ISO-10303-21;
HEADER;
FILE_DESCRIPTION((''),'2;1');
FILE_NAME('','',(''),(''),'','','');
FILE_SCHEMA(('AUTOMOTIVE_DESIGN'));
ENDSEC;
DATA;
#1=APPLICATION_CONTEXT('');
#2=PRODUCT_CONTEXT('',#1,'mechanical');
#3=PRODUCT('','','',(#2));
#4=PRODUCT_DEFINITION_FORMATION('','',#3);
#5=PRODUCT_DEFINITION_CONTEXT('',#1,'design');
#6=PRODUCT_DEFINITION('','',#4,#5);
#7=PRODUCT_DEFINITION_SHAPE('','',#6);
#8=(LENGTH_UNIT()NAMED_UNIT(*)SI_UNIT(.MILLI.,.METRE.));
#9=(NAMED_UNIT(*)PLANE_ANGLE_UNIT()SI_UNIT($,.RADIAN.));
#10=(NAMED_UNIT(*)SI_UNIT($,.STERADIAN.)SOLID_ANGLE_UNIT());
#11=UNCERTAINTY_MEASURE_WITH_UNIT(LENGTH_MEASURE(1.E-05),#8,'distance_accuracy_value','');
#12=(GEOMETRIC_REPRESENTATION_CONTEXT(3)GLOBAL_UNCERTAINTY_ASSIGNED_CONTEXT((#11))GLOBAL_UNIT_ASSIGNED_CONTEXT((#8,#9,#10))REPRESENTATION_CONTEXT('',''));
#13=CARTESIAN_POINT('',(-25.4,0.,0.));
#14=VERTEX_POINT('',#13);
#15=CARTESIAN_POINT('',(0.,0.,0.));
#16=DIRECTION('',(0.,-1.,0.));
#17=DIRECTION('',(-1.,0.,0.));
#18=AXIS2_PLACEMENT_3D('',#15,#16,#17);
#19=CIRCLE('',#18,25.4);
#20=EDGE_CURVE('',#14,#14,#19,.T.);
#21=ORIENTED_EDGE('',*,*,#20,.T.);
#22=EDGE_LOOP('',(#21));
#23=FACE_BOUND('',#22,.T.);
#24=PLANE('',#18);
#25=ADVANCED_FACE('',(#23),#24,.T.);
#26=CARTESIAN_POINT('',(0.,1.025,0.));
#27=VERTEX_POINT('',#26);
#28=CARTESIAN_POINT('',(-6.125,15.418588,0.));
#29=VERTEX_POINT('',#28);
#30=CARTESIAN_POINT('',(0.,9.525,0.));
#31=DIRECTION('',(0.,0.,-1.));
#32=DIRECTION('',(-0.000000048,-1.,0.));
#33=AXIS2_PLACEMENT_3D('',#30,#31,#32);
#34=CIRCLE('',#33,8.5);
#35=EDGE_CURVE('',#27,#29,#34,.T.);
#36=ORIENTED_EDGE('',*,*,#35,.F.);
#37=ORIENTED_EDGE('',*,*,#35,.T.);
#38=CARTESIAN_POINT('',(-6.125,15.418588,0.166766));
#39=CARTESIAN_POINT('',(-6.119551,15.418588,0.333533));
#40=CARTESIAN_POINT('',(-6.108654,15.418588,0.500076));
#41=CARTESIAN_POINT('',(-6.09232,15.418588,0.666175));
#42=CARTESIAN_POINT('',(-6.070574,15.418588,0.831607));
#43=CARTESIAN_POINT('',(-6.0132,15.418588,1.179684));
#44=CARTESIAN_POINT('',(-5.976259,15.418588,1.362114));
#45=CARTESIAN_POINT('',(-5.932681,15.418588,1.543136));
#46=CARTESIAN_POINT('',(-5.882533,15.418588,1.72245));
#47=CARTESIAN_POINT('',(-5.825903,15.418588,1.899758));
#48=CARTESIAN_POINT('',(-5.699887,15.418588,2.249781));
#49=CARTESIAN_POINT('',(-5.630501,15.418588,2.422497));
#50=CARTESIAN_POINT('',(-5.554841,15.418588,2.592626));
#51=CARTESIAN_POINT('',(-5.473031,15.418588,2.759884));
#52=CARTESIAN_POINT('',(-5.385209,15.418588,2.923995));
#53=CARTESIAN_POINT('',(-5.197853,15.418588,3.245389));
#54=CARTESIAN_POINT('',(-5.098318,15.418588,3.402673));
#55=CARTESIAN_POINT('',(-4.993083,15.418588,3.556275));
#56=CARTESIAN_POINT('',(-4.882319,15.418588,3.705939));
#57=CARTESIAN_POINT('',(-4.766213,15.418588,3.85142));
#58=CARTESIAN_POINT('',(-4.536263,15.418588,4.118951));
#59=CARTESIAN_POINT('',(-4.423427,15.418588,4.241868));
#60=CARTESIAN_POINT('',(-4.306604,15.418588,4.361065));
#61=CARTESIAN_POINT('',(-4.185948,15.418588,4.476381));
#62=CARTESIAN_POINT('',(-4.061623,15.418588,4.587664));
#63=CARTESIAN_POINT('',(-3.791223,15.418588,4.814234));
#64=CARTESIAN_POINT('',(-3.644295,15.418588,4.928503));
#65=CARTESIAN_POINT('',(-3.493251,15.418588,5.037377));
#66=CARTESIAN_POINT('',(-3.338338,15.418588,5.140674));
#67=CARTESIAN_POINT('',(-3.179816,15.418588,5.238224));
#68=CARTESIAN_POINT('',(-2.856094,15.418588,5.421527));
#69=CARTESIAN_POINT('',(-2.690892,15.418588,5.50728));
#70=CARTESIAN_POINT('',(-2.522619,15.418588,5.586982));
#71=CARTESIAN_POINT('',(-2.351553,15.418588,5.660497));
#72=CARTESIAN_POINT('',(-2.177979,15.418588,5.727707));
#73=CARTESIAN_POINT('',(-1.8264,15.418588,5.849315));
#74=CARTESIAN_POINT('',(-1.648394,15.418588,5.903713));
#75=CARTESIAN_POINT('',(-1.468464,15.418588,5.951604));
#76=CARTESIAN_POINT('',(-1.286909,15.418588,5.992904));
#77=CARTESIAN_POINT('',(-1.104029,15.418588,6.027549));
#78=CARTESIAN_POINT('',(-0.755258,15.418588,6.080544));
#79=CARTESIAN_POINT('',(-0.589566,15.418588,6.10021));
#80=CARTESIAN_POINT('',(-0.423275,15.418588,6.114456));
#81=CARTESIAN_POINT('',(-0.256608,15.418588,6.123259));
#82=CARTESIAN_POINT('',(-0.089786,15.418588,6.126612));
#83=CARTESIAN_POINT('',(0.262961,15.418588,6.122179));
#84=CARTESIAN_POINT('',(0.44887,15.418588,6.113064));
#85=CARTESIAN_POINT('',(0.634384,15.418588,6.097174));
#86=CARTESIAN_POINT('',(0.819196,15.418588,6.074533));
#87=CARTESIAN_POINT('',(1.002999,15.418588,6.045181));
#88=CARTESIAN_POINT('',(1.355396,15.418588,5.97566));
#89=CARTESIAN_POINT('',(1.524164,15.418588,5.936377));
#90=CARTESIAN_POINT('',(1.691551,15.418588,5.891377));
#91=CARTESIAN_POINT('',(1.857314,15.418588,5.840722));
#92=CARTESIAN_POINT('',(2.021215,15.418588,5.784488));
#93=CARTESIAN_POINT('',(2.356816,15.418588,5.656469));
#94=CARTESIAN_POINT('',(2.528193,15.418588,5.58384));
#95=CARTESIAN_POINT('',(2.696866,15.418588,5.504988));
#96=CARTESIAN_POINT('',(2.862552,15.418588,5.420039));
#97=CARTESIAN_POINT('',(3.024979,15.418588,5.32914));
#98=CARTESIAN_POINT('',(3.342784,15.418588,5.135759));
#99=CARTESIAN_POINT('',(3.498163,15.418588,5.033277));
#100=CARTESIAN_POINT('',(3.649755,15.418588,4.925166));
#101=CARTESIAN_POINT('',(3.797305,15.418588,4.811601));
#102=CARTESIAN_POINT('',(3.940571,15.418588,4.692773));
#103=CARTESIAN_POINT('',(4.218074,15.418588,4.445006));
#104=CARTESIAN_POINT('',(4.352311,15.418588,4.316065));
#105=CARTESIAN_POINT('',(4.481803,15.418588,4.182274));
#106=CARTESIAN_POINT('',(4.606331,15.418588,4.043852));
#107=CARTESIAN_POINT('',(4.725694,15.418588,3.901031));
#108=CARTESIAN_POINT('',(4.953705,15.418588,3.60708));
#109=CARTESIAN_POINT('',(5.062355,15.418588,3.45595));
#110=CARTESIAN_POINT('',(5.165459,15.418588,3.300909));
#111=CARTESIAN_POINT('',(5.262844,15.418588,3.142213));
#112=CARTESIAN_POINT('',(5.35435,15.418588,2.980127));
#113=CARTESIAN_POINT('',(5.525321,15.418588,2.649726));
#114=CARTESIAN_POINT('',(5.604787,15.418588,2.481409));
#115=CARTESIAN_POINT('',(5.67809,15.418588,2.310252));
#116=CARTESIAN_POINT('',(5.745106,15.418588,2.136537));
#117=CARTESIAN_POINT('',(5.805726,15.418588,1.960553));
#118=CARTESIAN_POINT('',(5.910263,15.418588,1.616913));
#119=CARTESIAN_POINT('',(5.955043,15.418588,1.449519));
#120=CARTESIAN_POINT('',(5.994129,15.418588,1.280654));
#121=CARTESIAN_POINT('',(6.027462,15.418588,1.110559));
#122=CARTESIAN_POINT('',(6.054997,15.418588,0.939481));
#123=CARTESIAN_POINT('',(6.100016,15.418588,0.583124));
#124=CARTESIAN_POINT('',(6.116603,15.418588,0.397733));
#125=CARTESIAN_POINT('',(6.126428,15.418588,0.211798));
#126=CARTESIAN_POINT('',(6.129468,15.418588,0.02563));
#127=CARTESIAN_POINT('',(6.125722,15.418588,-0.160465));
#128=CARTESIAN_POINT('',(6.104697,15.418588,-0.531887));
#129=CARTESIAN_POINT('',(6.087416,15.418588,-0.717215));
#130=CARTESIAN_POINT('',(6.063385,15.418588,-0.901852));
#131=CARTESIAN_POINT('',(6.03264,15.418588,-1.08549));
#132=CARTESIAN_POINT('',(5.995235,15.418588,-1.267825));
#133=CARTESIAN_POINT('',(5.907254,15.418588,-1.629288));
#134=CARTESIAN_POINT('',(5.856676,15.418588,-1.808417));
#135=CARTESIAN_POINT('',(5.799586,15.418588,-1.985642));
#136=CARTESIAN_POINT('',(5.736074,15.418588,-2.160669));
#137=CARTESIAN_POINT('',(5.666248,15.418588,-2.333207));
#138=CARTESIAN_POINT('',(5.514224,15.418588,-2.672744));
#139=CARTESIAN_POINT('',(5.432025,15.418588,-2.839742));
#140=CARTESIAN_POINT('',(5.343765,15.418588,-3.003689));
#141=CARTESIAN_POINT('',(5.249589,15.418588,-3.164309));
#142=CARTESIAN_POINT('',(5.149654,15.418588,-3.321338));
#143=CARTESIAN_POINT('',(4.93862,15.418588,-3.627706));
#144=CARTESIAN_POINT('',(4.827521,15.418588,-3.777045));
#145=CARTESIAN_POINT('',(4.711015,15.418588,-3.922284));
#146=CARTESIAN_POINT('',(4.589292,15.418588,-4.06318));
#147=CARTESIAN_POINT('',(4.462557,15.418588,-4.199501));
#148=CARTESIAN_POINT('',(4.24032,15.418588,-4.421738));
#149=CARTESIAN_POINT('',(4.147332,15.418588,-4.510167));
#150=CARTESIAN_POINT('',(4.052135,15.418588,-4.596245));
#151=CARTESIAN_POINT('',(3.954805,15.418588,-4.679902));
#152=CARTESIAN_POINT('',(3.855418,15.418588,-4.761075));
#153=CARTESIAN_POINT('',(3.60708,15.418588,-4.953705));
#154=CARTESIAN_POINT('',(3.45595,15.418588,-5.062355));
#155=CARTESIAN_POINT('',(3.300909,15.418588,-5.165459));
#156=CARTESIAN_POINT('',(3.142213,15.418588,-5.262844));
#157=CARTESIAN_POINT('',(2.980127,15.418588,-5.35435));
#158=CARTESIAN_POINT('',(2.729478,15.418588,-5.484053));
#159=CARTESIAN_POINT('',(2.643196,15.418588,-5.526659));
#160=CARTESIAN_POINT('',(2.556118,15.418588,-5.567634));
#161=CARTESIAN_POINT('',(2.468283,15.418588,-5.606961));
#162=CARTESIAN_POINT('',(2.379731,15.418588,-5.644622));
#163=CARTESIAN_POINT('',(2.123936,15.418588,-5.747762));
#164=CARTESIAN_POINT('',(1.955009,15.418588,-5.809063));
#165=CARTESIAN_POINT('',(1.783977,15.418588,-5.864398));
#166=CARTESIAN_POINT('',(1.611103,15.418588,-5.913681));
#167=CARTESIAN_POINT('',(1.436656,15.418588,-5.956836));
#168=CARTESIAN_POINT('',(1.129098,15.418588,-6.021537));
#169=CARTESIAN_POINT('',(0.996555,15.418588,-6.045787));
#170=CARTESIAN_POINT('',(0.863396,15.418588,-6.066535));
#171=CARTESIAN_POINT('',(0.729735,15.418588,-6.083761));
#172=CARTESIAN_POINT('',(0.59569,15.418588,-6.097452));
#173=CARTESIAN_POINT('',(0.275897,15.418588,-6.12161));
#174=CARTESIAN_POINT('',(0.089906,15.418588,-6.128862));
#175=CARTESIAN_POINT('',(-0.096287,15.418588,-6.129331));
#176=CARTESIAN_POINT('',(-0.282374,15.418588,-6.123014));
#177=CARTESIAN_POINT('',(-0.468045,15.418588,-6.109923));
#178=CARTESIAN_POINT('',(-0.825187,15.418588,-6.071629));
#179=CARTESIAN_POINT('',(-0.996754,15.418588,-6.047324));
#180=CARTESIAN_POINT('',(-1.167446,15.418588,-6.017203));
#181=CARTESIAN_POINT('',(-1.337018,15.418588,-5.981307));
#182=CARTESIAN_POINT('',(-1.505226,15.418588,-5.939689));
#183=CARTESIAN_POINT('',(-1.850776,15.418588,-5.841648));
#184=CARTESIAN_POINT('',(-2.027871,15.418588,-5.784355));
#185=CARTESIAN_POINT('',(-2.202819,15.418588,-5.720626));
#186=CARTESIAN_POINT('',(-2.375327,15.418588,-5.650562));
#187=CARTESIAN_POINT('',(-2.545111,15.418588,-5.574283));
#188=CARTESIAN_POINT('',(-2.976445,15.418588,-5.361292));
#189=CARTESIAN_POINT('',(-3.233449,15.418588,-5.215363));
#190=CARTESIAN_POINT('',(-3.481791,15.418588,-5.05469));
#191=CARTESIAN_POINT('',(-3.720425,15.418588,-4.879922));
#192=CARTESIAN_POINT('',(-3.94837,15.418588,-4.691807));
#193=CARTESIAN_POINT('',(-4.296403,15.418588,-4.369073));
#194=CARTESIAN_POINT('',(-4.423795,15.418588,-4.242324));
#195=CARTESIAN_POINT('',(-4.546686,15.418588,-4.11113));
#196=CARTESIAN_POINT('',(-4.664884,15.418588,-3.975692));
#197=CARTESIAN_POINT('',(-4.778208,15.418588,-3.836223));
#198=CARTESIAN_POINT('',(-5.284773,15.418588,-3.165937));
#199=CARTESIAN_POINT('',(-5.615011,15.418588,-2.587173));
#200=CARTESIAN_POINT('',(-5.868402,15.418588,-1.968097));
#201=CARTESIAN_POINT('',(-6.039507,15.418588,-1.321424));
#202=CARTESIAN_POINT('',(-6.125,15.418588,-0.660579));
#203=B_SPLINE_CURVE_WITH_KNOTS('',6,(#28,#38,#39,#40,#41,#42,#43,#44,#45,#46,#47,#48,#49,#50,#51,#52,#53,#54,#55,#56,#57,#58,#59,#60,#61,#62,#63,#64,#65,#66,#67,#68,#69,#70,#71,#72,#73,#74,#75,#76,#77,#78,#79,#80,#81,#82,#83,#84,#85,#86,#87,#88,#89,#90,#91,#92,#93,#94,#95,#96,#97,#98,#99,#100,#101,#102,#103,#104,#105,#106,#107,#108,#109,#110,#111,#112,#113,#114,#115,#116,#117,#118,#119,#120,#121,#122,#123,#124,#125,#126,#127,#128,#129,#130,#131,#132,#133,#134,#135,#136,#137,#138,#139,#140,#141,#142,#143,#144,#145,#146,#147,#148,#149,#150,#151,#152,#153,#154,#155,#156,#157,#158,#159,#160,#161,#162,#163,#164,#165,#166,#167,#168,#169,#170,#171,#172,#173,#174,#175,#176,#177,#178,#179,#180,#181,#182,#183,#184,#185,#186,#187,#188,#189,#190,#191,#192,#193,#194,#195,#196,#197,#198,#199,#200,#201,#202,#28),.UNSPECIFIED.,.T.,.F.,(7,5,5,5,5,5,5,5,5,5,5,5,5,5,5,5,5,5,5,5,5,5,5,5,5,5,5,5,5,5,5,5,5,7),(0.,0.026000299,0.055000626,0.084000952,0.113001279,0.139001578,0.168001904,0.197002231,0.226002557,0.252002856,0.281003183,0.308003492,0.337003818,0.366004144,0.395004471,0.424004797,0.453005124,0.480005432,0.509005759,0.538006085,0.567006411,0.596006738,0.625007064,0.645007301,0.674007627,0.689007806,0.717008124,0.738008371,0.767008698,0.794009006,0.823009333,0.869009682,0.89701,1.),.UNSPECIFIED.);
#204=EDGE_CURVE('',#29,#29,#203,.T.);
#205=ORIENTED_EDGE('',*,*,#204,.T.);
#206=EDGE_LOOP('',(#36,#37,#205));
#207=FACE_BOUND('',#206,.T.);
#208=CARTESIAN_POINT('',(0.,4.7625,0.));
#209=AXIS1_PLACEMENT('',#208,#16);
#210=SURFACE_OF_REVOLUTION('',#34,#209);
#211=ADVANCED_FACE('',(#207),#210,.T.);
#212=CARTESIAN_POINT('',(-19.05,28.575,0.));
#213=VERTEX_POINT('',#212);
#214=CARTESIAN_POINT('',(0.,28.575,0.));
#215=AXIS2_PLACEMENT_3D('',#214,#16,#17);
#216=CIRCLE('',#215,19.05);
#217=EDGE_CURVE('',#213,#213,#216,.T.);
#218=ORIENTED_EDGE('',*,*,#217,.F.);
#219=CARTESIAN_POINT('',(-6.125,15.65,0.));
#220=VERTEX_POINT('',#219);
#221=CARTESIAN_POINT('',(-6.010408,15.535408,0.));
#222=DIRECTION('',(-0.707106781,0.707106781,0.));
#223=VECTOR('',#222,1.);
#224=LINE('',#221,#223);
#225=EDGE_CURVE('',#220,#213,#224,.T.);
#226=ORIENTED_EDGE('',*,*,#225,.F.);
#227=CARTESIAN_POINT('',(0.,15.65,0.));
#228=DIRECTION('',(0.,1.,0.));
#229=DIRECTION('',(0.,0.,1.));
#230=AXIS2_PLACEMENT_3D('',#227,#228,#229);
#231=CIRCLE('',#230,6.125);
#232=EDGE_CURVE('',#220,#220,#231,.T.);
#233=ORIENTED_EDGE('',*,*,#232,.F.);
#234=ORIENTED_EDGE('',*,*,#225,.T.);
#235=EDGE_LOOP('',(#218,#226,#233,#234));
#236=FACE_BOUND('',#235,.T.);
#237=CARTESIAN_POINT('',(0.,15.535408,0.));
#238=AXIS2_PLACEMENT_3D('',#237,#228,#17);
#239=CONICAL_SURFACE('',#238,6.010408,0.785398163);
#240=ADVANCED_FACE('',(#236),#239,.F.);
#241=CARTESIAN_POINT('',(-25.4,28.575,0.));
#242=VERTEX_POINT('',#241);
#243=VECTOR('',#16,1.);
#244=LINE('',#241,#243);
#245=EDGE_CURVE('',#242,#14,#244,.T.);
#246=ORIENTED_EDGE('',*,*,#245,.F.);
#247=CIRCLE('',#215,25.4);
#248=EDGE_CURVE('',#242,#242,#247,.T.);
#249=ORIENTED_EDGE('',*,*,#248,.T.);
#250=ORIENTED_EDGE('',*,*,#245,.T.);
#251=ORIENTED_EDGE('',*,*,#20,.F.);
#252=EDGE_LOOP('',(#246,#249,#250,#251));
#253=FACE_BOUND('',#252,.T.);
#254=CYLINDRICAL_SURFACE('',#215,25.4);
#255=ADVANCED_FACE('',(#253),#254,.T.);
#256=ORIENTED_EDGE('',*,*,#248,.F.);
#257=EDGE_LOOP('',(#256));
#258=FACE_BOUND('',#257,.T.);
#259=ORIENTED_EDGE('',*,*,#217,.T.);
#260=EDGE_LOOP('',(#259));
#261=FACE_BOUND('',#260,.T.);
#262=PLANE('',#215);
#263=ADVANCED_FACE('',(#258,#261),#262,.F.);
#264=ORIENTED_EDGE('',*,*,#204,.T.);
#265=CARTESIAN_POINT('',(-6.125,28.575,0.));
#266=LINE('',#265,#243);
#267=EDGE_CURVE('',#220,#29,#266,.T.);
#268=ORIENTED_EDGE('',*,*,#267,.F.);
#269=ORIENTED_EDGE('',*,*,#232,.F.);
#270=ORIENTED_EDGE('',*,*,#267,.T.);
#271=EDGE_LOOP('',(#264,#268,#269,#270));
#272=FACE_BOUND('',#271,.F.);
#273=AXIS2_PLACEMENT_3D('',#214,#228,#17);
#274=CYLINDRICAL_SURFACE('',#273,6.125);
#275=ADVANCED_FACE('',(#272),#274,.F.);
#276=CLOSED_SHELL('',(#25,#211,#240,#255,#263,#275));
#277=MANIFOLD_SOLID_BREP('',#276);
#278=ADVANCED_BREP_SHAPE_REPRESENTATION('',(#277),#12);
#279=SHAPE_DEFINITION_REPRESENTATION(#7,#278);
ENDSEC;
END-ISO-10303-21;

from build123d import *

# Parameters (mm, degrees)
F2_R     = 6.125
F3_DEPTH = 14.7


with BuildPart() as f1:
    # F0 (on Top) → F1 (revolve)
    with BuildSketch(Plane.XY):
        with BuildLine():
            Line((-25.4, 0), (0, 0))
            Line((0, 0), (0, 1.025))
            ThreePointArc((0, 1.025), (-7.852976, 6.272191), (-6.010408, 15.535408))
            Line((-6.010408, 15.535408), (-19.05, 28.575))
            Line((-19.05, 28.575), (-25.4, 28.575))
            Line((-25.4, 28.575), (-25.4, 0))
        make_face()
    revolve(axis=Axis((0, 4.7625, 0), (0, -1, 0)))

    # F2 (on face) → F3 (cut)
    with BuildSketch(Plane(origin=(0, 28.575, 0), x_dir=(-1, 0, 0), z_dir=(0, 1, 0))):
        Circle(F2_R)
    extrude(amount=-F3_DEPTH, mode=Mode.SUBTRACT)


solid = f1.part
